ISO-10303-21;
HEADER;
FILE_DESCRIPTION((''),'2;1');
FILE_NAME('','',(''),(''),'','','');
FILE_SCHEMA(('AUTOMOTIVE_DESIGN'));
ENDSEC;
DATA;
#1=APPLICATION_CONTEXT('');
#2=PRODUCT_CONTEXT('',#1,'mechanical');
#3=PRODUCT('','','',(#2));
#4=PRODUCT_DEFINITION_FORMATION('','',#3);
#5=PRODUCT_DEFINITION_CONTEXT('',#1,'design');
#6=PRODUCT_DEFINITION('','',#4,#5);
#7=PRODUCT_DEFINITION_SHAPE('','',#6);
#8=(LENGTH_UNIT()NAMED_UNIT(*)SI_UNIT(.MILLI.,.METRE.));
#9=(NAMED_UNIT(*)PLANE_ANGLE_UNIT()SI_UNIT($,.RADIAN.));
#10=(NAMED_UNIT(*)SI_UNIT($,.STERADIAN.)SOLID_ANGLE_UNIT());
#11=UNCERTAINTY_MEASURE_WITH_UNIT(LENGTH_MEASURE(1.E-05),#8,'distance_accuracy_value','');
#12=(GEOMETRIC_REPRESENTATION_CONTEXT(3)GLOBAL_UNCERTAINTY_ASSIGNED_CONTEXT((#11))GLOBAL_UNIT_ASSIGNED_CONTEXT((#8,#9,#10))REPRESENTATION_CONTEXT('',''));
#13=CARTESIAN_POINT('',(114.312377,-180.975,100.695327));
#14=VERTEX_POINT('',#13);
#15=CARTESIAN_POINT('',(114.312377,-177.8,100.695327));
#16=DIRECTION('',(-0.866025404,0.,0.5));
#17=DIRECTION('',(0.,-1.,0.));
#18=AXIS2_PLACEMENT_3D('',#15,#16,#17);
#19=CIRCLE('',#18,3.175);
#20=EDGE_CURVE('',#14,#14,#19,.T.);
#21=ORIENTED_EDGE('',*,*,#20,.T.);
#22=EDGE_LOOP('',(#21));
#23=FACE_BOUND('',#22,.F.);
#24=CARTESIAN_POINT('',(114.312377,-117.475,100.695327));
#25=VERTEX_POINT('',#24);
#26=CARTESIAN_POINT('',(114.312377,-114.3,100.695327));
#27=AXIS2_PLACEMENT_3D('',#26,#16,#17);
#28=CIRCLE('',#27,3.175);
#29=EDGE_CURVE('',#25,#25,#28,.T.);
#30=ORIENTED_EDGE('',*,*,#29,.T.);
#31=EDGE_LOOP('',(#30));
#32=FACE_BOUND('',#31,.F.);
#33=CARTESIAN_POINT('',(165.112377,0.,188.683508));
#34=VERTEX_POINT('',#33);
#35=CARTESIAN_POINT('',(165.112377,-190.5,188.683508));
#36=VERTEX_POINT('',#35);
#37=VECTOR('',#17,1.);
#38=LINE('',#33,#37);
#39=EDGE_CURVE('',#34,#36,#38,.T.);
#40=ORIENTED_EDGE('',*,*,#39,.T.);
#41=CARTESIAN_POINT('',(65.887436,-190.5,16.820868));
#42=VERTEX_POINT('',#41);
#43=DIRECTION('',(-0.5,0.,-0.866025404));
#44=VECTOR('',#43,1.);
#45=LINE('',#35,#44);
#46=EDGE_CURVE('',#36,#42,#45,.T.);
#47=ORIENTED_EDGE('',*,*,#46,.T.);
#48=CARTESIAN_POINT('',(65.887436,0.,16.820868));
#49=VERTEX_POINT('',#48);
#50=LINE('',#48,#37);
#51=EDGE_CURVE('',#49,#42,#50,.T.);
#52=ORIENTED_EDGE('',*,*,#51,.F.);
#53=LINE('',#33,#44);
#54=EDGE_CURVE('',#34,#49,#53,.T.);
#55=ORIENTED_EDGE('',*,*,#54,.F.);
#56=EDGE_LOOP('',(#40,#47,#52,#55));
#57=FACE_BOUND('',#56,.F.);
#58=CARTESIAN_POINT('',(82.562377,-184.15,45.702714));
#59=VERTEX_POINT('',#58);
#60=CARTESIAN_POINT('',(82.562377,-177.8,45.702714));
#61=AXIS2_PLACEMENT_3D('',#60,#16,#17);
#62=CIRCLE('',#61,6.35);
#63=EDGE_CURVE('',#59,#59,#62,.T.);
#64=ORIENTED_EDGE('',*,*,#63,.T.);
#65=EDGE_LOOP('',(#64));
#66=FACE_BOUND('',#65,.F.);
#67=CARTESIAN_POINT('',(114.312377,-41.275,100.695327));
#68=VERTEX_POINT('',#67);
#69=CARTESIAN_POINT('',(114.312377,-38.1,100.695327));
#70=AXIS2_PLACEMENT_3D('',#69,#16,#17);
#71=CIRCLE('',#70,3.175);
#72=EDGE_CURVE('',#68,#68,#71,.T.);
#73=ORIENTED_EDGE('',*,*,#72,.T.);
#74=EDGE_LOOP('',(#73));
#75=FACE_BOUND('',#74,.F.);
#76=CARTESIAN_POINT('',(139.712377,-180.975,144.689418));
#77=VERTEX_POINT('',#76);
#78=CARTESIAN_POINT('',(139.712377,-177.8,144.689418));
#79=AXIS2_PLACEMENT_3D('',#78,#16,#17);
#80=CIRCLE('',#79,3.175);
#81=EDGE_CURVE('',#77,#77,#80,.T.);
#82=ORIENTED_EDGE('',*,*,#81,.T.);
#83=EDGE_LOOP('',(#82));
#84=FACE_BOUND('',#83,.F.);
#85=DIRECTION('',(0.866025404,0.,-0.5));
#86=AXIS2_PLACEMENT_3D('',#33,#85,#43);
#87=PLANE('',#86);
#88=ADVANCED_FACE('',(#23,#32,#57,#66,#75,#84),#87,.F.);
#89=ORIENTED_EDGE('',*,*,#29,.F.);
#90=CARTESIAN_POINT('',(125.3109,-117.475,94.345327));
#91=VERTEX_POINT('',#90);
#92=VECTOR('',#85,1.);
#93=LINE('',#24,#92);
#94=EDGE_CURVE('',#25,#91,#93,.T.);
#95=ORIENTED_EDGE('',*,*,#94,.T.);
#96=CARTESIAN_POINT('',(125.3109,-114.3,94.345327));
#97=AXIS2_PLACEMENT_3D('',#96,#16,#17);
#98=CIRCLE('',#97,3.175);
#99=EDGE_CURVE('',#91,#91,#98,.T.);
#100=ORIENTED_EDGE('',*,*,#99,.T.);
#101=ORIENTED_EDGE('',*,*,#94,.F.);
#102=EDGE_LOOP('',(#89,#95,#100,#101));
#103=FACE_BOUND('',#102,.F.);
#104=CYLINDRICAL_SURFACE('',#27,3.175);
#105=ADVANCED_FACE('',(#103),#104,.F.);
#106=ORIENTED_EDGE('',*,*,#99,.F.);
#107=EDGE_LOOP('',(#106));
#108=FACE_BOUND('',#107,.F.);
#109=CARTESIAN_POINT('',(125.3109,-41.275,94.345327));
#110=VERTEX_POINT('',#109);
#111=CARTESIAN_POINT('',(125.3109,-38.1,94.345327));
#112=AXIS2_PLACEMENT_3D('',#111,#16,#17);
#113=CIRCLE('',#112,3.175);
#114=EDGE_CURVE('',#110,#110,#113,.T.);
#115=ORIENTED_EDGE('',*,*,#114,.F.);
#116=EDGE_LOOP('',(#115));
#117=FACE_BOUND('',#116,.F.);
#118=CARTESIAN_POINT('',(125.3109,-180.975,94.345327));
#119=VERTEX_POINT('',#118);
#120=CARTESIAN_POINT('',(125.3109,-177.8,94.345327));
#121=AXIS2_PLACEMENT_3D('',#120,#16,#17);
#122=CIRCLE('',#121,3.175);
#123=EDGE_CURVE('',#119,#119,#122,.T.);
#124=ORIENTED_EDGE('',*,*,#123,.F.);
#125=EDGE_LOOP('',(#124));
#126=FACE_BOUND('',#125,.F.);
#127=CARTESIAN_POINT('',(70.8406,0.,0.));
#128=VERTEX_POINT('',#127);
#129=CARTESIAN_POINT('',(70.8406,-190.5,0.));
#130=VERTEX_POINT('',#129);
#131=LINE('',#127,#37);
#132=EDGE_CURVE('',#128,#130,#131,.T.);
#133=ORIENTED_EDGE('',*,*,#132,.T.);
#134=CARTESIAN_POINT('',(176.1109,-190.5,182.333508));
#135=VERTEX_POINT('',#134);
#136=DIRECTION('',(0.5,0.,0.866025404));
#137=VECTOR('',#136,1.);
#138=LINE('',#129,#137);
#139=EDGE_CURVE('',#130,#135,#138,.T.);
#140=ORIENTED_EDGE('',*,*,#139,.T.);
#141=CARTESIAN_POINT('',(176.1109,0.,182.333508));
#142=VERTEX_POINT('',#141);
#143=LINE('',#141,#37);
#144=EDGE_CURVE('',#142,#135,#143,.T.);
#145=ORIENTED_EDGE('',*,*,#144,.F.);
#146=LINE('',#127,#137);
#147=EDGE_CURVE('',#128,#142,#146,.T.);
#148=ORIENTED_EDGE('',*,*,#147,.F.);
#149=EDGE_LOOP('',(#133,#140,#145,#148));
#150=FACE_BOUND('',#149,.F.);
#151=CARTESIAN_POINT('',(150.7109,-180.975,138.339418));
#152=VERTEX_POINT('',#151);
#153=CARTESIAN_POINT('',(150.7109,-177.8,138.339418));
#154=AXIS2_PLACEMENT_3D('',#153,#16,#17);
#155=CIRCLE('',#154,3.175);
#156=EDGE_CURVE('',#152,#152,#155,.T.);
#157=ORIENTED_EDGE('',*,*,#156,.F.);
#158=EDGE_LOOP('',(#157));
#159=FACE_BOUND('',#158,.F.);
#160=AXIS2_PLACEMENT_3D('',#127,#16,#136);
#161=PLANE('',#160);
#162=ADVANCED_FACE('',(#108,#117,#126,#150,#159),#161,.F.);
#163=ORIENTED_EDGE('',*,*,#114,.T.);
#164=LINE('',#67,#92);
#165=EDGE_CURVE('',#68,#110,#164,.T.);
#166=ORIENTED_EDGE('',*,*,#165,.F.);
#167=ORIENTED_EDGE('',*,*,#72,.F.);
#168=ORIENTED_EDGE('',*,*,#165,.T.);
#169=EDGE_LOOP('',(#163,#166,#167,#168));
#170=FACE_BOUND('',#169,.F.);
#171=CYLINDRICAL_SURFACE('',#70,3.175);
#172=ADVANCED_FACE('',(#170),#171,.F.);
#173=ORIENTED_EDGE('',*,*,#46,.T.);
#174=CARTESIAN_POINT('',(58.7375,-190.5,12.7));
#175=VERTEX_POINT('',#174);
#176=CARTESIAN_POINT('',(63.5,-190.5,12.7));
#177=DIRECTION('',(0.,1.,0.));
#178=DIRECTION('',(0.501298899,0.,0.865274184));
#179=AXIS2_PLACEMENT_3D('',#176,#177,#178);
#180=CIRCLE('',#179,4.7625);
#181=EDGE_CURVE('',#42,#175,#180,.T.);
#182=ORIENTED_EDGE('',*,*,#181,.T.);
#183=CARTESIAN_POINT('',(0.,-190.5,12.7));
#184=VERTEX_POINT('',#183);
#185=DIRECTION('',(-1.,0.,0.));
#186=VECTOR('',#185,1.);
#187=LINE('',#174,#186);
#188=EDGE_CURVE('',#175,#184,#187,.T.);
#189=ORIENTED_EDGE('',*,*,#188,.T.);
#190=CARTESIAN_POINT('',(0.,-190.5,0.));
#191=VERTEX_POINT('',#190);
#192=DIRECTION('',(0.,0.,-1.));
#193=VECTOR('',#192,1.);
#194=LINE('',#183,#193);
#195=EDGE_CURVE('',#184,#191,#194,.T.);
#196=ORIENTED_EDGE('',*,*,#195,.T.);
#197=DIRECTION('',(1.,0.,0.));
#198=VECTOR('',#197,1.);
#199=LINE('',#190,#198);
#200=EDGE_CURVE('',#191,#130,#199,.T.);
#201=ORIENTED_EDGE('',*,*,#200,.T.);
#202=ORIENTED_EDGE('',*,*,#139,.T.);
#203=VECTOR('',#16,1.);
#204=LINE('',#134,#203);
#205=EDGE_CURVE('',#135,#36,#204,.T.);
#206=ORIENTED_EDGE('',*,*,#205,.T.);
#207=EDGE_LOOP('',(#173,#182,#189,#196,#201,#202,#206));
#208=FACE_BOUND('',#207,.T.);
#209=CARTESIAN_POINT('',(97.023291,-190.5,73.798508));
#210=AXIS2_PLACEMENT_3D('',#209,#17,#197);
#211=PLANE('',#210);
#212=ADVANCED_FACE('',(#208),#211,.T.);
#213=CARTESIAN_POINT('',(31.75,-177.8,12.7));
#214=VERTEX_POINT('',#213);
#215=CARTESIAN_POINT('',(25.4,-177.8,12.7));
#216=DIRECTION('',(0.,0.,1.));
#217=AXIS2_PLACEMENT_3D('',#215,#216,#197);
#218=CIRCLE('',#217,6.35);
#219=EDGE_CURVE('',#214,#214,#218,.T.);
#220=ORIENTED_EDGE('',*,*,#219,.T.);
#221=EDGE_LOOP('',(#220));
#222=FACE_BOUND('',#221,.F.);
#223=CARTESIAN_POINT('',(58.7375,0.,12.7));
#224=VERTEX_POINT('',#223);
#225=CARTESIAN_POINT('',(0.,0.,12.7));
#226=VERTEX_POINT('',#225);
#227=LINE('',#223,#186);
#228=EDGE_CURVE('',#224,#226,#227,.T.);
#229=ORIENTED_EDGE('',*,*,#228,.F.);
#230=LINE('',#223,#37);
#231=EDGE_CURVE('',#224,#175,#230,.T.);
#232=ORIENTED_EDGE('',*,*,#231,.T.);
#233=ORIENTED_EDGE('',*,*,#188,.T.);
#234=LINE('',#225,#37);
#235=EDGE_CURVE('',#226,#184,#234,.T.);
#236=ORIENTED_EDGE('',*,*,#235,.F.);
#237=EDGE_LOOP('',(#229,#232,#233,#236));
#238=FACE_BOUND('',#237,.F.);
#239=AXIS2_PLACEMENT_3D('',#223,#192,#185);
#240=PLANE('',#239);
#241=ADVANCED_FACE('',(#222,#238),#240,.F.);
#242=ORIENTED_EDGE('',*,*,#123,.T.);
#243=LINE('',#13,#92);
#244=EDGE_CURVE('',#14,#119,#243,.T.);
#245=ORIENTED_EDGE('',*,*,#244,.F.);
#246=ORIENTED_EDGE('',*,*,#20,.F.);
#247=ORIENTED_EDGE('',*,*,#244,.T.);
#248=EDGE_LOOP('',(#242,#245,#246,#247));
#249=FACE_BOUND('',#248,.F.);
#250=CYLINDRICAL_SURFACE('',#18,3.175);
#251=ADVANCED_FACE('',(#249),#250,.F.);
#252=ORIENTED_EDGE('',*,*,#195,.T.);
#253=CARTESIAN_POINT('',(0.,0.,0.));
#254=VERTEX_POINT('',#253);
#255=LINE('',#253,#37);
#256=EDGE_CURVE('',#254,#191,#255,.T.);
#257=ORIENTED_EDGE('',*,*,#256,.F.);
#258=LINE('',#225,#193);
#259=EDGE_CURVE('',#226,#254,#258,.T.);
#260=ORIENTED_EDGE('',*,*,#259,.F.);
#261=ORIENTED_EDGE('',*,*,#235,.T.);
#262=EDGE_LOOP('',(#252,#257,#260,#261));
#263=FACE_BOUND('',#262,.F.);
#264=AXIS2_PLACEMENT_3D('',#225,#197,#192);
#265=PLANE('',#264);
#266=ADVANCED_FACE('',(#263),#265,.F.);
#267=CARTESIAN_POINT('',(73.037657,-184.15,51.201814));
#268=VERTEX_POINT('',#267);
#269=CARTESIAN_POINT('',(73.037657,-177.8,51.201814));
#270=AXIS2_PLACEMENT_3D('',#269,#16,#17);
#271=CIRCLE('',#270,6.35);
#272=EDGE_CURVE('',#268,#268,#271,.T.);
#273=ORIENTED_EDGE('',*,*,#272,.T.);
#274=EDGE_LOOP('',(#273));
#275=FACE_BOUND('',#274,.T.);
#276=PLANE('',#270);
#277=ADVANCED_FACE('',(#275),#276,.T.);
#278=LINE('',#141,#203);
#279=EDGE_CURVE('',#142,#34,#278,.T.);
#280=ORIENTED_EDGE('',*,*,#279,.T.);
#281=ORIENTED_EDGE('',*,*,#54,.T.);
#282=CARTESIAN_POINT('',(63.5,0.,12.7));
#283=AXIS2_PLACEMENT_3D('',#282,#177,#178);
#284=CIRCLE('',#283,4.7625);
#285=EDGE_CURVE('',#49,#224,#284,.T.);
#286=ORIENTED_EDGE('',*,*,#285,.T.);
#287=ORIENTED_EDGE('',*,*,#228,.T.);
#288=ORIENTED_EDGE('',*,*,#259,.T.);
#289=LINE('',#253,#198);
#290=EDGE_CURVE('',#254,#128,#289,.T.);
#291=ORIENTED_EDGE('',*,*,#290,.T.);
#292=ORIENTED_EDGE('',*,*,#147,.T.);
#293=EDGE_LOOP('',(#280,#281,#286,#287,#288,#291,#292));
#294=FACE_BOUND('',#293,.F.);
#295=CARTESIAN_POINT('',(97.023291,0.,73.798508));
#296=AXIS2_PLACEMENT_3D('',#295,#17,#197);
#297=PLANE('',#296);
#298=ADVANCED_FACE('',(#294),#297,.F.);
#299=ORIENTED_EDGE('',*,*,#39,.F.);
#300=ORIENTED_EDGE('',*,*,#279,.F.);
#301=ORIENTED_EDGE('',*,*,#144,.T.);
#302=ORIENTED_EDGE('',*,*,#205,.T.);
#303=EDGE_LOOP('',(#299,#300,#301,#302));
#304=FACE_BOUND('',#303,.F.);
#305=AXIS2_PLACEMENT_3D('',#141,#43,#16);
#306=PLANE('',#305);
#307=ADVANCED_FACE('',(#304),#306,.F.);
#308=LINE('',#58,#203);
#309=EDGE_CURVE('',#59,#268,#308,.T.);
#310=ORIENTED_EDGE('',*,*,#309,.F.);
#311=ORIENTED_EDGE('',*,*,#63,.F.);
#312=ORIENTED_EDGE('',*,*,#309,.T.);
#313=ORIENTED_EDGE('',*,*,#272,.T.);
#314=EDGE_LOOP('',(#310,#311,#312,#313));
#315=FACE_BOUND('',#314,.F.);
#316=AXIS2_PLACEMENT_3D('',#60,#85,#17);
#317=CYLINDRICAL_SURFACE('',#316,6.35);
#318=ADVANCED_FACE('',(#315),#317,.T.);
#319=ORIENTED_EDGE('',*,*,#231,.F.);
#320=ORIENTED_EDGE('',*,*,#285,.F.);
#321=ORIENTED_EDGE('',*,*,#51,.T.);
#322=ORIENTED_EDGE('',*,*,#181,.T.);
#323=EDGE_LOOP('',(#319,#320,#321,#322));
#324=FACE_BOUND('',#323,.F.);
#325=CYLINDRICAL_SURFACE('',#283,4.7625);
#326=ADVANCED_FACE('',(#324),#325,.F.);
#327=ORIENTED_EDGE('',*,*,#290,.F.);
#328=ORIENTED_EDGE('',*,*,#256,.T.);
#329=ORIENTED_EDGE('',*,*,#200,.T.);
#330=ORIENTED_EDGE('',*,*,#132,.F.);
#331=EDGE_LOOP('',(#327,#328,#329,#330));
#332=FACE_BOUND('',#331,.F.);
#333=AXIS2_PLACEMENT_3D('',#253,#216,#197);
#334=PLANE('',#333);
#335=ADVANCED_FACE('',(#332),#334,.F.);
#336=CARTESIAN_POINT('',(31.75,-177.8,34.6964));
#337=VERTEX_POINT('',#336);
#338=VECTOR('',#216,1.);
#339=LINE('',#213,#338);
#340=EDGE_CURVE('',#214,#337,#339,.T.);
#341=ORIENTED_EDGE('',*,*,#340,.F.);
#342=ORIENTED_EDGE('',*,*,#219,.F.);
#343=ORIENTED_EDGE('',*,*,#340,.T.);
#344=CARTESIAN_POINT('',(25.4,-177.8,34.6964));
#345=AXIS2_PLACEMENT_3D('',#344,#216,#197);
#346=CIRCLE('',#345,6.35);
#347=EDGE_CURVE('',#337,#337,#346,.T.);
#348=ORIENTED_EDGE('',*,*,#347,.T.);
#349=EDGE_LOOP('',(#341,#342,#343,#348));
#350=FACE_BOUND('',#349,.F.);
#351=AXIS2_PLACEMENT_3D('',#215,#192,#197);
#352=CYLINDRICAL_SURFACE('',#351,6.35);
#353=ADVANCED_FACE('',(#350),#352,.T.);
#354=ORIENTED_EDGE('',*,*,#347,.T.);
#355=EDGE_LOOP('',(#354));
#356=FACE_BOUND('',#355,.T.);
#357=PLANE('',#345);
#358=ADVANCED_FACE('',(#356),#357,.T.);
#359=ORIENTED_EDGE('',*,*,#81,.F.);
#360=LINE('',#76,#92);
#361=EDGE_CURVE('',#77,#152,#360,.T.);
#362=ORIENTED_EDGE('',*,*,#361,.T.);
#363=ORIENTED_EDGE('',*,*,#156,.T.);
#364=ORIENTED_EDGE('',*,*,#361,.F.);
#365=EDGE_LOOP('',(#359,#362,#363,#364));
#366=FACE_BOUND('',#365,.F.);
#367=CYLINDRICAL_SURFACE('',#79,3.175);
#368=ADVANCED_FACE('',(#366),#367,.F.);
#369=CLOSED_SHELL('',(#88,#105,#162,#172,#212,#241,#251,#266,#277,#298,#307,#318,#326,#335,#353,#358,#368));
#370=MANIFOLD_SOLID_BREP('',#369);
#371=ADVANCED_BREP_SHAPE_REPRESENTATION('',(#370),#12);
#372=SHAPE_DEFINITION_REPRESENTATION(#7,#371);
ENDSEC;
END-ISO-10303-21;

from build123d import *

# Parameters (mm, degrees)
F1_DEPTH = 190.5
F2_R     = 3.175
F3_DEPTH = 25.4
F4_R     = 6.35
F5_DEPTH = 10.9982
F6_R     = 6.35
F7_DEPTH = 21.9964


with BuildPart() as f1:
    # F0 (on Front) → F1 (new body)
    with BuildSketch(Plane.XZ):
        with BuildLine():
            Line((0, 12.7), (0, 0))
            Line((0, 0), (70.8406, 0))
            Line((70.8406, 0), (176.1109, 182.333508128))
            Line((176.1109, 182.333508128), (165.1123773719, 188.683508128))
            Line((165.1123773719, 188.683508128), (65.8874360053, 16.820868303))
            ThreePointArc((65.8874360053, 16.820868303), (65.878154986, 8.573768655), (58.7375, 12.7))
            Line((58.7375, 12.7), (0, 12.7))
        make_face()
    extrude(amount=F1_DEPTH)

    # F2 (on face) → F3 (cut)
    with BuildSketch(Plane(origin=(42.1319273719, 0, -24.3248796097), x_dir=(0, -1, 0), z_dir=(-0.8660254038, 0, 0.5))):
        with Locations((38.1, 144.3609)):
            Circle(F2_R)
        with Locations((114.3, 144.3609)):
            Circle(F2_R)
        with Locations((177.8, 144.3609)):
            Circle(F2_R)
        with Locations((177.8, 195.1609)):
            Circle(F2_R)
    extrude(amount=-F3_DEPTH, mode=Mode.SUBTRACT)

    # F4 (on face) → F5 (join)
    with BuildSketch(Plane(origin=(42.1319273719, 0, -24.3248796097), x_dir=(0, -1, 0), z_dir=(-0.8660254038, 0, 0.5))):
        with Locations((177.8, 80.8609)):
            Circle(F4_R)
    extrude(amount=F5_DEPTH)

    # F6 (on face) → F7 (join)
    with BuildSketch(Plane.XY.offset(12.7)):
        with Locations((25.4, -177.8)):
            Circle(F6_R)
    extrude(amount=F7_DEPTH)


solid = f1.part
